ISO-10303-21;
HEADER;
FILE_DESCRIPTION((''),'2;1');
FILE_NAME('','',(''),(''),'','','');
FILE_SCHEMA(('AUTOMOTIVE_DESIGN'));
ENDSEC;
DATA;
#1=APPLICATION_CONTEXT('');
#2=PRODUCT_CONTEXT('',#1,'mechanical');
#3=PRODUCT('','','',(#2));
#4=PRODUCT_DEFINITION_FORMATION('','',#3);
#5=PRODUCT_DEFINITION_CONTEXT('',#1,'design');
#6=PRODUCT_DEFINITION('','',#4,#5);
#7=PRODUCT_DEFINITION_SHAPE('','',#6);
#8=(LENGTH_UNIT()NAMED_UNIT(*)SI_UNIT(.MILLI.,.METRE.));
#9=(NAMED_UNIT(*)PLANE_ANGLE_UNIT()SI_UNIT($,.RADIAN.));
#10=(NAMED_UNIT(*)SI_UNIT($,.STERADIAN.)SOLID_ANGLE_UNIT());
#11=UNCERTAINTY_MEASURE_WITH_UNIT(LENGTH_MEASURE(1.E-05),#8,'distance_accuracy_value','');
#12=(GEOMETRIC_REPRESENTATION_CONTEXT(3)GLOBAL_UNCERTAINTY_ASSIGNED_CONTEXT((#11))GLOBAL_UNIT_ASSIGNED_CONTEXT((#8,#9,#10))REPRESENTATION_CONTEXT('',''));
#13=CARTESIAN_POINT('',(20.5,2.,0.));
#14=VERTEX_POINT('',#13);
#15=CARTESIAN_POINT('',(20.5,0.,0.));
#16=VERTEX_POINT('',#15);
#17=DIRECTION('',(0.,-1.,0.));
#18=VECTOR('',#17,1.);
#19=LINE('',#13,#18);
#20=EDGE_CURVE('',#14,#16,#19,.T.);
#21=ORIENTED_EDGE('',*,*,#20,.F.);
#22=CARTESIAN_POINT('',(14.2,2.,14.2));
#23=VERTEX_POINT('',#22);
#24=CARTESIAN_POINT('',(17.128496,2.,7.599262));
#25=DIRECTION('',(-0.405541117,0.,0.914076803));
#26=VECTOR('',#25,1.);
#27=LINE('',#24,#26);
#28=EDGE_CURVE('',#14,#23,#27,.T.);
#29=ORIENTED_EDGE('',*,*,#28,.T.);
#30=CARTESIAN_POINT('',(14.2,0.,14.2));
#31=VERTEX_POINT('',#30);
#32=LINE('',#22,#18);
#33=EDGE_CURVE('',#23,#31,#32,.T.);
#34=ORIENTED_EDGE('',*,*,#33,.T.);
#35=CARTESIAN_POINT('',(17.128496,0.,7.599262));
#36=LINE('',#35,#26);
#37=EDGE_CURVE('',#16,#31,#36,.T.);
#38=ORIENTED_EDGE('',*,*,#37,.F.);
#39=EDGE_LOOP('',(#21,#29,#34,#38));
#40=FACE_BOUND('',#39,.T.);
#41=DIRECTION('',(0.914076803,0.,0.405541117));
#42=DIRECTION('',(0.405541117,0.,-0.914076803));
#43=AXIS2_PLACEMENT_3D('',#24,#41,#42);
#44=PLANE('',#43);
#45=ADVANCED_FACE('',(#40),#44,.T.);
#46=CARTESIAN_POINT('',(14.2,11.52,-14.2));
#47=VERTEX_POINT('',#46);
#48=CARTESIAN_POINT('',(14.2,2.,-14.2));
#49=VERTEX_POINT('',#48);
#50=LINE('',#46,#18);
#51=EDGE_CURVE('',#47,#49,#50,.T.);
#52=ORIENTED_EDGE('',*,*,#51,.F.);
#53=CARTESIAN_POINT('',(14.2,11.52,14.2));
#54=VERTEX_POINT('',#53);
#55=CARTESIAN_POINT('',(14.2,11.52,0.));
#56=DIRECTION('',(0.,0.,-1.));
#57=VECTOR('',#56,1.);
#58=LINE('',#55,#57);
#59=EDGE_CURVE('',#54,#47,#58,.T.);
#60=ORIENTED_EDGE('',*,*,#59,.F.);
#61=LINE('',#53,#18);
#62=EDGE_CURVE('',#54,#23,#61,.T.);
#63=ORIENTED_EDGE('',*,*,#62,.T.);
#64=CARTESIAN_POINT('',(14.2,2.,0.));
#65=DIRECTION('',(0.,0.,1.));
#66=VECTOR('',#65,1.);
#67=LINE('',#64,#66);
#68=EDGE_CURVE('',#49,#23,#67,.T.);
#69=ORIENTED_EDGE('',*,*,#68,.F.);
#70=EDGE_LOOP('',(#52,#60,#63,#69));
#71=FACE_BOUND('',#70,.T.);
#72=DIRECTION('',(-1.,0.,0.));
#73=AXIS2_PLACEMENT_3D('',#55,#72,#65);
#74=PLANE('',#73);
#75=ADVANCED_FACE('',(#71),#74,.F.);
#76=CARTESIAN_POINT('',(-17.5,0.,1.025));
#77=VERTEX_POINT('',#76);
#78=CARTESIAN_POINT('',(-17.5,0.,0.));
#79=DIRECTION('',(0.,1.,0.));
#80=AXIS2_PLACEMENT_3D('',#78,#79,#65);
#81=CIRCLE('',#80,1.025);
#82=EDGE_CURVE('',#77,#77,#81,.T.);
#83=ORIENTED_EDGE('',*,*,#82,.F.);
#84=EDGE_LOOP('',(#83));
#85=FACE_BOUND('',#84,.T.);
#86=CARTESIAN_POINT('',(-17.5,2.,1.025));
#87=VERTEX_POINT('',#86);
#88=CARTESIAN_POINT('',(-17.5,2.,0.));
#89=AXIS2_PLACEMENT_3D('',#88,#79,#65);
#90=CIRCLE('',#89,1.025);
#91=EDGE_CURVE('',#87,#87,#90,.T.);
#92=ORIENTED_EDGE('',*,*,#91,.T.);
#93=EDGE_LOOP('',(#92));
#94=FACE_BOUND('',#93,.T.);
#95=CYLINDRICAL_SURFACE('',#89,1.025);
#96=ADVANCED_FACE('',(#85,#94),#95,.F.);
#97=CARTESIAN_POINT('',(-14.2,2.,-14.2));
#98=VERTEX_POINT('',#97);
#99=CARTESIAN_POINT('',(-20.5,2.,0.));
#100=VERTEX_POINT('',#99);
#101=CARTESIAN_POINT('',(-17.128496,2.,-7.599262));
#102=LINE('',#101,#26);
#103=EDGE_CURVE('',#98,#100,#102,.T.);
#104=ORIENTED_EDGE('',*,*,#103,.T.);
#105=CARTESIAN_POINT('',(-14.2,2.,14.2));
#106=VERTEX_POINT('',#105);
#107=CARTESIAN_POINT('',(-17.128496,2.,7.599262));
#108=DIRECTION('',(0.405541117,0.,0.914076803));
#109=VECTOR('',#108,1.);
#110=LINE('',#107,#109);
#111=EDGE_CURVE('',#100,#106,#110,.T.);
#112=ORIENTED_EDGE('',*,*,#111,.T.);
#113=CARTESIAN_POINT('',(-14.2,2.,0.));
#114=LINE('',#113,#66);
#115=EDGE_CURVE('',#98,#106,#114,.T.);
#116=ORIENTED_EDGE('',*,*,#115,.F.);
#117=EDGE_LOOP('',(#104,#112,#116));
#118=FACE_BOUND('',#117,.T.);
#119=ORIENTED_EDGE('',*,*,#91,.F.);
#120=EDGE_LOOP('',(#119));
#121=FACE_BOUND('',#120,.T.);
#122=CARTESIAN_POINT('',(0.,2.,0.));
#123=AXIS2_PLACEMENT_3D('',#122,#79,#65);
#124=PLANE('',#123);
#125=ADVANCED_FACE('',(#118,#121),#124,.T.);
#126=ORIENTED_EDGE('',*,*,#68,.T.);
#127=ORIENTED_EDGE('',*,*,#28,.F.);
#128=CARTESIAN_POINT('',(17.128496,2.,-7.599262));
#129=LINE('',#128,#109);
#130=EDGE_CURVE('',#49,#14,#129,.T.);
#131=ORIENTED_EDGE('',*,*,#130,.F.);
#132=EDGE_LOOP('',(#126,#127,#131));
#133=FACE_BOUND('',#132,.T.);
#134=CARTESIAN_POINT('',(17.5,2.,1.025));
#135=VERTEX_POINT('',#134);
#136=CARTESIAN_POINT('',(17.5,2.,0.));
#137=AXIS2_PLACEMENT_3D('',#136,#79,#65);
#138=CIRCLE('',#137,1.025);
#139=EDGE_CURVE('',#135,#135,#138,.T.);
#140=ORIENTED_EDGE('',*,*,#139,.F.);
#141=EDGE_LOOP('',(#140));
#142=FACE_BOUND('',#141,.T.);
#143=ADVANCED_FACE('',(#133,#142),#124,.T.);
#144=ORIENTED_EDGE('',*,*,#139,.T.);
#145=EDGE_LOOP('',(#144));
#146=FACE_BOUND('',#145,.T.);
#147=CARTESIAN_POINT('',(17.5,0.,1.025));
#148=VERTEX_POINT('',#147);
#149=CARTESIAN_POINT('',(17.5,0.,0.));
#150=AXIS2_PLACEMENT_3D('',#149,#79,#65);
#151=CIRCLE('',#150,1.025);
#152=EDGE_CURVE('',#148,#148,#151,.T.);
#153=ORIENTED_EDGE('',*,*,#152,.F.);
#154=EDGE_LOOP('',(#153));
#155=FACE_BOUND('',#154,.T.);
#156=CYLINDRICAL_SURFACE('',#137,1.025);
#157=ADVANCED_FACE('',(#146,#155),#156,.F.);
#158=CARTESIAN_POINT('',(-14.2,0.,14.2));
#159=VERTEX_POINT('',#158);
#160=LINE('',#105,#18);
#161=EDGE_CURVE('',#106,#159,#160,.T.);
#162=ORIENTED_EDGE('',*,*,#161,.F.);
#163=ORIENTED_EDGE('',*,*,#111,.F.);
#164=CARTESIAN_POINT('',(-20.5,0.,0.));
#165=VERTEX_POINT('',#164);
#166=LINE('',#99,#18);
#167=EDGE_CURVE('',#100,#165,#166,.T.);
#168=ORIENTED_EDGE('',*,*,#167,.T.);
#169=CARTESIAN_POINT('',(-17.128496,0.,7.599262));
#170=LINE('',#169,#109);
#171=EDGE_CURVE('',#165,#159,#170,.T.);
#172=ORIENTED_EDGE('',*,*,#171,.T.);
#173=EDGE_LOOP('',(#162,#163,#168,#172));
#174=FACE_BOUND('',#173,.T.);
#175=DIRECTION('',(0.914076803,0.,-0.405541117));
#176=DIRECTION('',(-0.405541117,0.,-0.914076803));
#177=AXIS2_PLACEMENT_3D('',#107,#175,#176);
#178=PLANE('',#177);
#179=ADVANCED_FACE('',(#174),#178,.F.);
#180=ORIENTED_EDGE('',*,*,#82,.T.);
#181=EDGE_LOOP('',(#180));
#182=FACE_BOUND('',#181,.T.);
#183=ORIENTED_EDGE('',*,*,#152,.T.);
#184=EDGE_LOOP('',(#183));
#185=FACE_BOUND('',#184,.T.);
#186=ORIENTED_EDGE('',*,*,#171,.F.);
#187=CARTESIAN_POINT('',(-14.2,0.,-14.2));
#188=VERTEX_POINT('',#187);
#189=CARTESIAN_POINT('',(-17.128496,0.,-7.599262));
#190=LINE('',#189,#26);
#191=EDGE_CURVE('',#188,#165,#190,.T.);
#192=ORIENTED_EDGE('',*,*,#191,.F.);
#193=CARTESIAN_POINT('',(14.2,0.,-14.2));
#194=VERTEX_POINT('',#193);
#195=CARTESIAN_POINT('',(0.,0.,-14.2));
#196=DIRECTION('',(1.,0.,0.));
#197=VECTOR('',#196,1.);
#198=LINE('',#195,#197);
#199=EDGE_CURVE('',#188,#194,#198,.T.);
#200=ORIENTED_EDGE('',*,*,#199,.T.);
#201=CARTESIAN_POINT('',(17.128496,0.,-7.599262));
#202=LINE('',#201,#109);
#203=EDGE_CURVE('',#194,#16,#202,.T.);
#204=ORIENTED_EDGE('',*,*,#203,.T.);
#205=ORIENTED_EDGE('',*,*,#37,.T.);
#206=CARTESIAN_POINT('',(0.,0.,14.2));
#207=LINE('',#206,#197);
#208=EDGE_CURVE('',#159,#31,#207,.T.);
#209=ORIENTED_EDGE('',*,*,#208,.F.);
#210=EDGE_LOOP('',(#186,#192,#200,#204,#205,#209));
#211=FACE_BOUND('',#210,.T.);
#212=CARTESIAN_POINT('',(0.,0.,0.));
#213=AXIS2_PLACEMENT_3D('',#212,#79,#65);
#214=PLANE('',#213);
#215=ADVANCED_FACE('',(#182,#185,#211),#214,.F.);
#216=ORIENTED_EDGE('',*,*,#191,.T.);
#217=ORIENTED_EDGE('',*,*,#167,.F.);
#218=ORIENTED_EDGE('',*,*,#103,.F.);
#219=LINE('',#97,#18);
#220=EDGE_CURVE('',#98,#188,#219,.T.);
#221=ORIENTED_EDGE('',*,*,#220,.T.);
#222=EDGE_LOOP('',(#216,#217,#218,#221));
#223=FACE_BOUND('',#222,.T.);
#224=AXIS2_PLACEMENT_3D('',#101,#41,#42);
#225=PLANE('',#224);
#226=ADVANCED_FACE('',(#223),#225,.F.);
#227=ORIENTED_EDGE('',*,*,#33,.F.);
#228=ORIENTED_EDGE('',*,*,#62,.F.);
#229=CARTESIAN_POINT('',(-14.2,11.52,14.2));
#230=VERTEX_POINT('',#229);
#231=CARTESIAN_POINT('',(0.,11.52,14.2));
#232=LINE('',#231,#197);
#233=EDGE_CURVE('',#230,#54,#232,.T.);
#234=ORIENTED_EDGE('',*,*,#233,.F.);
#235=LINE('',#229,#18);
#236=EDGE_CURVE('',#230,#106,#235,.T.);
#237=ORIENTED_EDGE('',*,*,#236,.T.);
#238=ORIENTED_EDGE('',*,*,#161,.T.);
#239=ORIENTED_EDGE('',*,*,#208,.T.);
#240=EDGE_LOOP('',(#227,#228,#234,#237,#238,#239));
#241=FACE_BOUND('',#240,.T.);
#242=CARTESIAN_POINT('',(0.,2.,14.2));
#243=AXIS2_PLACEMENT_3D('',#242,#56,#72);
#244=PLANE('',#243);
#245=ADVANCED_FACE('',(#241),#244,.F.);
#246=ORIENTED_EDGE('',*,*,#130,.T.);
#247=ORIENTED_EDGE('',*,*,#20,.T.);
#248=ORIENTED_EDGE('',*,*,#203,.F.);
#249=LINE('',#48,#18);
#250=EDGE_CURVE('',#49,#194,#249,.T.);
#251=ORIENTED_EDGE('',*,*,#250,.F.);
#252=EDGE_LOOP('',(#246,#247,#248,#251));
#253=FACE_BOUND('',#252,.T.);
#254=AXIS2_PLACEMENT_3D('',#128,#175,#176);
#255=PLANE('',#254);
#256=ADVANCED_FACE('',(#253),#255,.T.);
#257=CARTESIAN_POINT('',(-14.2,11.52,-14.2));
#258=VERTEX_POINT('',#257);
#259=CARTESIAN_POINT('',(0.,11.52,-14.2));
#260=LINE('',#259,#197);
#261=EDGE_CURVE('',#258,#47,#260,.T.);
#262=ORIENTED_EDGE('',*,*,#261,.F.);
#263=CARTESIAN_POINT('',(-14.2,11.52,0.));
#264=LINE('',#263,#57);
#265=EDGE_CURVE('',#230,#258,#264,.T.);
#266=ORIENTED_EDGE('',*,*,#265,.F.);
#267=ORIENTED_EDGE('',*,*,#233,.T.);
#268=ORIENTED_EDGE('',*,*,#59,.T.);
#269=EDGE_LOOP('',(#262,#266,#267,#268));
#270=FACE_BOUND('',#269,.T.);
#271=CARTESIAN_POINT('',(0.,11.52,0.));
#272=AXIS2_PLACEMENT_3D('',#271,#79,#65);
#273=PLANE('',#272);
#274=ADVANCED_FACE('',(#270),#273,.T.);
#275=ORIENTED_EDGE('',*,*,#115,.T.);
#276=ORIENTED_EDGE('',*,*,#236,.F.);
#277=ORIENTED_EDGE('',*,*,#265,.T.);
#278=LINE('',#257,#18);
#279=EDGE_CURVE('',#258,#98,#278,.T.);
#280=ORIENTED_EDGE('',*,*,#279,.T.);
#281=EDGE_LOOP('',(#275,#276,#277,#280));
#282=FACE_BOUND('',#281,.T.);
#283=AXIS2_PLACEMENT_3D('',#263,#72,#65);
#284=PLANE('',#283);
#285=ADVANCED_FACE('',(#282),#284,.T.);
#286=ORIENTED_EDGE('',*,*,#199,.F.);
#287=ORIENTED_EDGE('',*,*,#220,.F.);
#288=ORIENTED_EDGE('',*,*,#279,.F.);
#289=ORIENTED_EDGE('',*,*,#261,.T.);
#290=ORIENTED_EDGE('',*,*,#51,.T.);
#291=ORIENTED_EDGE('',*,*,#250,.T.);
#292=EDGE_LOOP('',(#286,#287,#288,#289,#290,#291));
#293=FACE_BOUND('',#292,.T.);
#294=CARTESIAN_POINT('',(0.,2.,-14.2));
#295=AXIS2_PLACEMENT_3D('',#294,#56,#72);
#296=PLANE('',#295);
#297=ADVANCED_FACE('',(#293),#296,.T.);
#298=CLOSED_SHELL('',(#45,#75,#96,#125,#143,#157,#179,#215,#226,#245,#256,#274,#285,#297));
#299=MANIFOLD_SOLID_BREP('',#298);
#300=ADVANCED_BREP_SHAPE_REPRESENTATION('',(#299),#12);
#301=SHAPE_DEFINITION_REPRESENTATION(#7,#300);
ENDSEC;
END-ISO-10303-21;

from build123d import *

# Parameters (mm, degrees)
BOSS_EXTRUDE1_DEPTH     = 2
SKETCH1_3_W             = 28.4
SKETCH1_3_H             = 28.4
BOSS_EXTRUDE2_DEPTH     = 11.52
M2_5_TAPPED_HOLE1_D     = 2.05
M2_5_TAPPED_HOLE1_DEPTH = 6.35
M2_5_TAPPED_HOLE1_TIP   = 0.615882135


with BuildPart() as part:
    # Sketch1 → Boss-Extrude1 (new body)
    with BuildSketch(Plane(origin=(0, 0, 0), x_dir=(1, 0, 0), z_dir=(0, 1, 0))):
        Polygon((-14.2, -14.2), (14.2, -14.2), (20.5, 0), (14.2, 14.2), (-14.2, 14.2), (-20.5, 0), align=None)
    extrude(amount=BOSS_EXTRUDE1_DEPTH)

    # Sketch1<3> → Boss-Extrude2 (add)
    with BuildSketch(Plane(origin=(0, 0, 0), x_dir=(1, 0, 0), z_dir=(0, 1, 0))):
        Rectangle(SKETCH1_3_W, SKETCH1_3_H)
    extrude(amount=BOSS_EXTRUDE2_DEPTH)

    # M2.5 Tapped Hole1
    with Locations(Plane(origin=(0, 2, 0), x_dir=(1, 0, 0), z_dir=(0, 1, 0))):
        with Locations((-17.5, 0), (17.5, 0)):
            Hole(M2_5_TAPPED_HOLE1_D / 2, depth=M2_5_TAPPED_HOLE1_DEPTH)
            with Locations((0, 0, -(M2_5_TAPPED_HOLE1_DEPTH + M2_5_TAPPED_HOLE1_TIP / 2))):  # 118° drill point
                Cone(0, M2_5_TAPPED_HOLE1_D / 2, M2_5_TAPPED_HOLE1_TIP, mode=Mode.SUBTRACT)


solid = part.part
